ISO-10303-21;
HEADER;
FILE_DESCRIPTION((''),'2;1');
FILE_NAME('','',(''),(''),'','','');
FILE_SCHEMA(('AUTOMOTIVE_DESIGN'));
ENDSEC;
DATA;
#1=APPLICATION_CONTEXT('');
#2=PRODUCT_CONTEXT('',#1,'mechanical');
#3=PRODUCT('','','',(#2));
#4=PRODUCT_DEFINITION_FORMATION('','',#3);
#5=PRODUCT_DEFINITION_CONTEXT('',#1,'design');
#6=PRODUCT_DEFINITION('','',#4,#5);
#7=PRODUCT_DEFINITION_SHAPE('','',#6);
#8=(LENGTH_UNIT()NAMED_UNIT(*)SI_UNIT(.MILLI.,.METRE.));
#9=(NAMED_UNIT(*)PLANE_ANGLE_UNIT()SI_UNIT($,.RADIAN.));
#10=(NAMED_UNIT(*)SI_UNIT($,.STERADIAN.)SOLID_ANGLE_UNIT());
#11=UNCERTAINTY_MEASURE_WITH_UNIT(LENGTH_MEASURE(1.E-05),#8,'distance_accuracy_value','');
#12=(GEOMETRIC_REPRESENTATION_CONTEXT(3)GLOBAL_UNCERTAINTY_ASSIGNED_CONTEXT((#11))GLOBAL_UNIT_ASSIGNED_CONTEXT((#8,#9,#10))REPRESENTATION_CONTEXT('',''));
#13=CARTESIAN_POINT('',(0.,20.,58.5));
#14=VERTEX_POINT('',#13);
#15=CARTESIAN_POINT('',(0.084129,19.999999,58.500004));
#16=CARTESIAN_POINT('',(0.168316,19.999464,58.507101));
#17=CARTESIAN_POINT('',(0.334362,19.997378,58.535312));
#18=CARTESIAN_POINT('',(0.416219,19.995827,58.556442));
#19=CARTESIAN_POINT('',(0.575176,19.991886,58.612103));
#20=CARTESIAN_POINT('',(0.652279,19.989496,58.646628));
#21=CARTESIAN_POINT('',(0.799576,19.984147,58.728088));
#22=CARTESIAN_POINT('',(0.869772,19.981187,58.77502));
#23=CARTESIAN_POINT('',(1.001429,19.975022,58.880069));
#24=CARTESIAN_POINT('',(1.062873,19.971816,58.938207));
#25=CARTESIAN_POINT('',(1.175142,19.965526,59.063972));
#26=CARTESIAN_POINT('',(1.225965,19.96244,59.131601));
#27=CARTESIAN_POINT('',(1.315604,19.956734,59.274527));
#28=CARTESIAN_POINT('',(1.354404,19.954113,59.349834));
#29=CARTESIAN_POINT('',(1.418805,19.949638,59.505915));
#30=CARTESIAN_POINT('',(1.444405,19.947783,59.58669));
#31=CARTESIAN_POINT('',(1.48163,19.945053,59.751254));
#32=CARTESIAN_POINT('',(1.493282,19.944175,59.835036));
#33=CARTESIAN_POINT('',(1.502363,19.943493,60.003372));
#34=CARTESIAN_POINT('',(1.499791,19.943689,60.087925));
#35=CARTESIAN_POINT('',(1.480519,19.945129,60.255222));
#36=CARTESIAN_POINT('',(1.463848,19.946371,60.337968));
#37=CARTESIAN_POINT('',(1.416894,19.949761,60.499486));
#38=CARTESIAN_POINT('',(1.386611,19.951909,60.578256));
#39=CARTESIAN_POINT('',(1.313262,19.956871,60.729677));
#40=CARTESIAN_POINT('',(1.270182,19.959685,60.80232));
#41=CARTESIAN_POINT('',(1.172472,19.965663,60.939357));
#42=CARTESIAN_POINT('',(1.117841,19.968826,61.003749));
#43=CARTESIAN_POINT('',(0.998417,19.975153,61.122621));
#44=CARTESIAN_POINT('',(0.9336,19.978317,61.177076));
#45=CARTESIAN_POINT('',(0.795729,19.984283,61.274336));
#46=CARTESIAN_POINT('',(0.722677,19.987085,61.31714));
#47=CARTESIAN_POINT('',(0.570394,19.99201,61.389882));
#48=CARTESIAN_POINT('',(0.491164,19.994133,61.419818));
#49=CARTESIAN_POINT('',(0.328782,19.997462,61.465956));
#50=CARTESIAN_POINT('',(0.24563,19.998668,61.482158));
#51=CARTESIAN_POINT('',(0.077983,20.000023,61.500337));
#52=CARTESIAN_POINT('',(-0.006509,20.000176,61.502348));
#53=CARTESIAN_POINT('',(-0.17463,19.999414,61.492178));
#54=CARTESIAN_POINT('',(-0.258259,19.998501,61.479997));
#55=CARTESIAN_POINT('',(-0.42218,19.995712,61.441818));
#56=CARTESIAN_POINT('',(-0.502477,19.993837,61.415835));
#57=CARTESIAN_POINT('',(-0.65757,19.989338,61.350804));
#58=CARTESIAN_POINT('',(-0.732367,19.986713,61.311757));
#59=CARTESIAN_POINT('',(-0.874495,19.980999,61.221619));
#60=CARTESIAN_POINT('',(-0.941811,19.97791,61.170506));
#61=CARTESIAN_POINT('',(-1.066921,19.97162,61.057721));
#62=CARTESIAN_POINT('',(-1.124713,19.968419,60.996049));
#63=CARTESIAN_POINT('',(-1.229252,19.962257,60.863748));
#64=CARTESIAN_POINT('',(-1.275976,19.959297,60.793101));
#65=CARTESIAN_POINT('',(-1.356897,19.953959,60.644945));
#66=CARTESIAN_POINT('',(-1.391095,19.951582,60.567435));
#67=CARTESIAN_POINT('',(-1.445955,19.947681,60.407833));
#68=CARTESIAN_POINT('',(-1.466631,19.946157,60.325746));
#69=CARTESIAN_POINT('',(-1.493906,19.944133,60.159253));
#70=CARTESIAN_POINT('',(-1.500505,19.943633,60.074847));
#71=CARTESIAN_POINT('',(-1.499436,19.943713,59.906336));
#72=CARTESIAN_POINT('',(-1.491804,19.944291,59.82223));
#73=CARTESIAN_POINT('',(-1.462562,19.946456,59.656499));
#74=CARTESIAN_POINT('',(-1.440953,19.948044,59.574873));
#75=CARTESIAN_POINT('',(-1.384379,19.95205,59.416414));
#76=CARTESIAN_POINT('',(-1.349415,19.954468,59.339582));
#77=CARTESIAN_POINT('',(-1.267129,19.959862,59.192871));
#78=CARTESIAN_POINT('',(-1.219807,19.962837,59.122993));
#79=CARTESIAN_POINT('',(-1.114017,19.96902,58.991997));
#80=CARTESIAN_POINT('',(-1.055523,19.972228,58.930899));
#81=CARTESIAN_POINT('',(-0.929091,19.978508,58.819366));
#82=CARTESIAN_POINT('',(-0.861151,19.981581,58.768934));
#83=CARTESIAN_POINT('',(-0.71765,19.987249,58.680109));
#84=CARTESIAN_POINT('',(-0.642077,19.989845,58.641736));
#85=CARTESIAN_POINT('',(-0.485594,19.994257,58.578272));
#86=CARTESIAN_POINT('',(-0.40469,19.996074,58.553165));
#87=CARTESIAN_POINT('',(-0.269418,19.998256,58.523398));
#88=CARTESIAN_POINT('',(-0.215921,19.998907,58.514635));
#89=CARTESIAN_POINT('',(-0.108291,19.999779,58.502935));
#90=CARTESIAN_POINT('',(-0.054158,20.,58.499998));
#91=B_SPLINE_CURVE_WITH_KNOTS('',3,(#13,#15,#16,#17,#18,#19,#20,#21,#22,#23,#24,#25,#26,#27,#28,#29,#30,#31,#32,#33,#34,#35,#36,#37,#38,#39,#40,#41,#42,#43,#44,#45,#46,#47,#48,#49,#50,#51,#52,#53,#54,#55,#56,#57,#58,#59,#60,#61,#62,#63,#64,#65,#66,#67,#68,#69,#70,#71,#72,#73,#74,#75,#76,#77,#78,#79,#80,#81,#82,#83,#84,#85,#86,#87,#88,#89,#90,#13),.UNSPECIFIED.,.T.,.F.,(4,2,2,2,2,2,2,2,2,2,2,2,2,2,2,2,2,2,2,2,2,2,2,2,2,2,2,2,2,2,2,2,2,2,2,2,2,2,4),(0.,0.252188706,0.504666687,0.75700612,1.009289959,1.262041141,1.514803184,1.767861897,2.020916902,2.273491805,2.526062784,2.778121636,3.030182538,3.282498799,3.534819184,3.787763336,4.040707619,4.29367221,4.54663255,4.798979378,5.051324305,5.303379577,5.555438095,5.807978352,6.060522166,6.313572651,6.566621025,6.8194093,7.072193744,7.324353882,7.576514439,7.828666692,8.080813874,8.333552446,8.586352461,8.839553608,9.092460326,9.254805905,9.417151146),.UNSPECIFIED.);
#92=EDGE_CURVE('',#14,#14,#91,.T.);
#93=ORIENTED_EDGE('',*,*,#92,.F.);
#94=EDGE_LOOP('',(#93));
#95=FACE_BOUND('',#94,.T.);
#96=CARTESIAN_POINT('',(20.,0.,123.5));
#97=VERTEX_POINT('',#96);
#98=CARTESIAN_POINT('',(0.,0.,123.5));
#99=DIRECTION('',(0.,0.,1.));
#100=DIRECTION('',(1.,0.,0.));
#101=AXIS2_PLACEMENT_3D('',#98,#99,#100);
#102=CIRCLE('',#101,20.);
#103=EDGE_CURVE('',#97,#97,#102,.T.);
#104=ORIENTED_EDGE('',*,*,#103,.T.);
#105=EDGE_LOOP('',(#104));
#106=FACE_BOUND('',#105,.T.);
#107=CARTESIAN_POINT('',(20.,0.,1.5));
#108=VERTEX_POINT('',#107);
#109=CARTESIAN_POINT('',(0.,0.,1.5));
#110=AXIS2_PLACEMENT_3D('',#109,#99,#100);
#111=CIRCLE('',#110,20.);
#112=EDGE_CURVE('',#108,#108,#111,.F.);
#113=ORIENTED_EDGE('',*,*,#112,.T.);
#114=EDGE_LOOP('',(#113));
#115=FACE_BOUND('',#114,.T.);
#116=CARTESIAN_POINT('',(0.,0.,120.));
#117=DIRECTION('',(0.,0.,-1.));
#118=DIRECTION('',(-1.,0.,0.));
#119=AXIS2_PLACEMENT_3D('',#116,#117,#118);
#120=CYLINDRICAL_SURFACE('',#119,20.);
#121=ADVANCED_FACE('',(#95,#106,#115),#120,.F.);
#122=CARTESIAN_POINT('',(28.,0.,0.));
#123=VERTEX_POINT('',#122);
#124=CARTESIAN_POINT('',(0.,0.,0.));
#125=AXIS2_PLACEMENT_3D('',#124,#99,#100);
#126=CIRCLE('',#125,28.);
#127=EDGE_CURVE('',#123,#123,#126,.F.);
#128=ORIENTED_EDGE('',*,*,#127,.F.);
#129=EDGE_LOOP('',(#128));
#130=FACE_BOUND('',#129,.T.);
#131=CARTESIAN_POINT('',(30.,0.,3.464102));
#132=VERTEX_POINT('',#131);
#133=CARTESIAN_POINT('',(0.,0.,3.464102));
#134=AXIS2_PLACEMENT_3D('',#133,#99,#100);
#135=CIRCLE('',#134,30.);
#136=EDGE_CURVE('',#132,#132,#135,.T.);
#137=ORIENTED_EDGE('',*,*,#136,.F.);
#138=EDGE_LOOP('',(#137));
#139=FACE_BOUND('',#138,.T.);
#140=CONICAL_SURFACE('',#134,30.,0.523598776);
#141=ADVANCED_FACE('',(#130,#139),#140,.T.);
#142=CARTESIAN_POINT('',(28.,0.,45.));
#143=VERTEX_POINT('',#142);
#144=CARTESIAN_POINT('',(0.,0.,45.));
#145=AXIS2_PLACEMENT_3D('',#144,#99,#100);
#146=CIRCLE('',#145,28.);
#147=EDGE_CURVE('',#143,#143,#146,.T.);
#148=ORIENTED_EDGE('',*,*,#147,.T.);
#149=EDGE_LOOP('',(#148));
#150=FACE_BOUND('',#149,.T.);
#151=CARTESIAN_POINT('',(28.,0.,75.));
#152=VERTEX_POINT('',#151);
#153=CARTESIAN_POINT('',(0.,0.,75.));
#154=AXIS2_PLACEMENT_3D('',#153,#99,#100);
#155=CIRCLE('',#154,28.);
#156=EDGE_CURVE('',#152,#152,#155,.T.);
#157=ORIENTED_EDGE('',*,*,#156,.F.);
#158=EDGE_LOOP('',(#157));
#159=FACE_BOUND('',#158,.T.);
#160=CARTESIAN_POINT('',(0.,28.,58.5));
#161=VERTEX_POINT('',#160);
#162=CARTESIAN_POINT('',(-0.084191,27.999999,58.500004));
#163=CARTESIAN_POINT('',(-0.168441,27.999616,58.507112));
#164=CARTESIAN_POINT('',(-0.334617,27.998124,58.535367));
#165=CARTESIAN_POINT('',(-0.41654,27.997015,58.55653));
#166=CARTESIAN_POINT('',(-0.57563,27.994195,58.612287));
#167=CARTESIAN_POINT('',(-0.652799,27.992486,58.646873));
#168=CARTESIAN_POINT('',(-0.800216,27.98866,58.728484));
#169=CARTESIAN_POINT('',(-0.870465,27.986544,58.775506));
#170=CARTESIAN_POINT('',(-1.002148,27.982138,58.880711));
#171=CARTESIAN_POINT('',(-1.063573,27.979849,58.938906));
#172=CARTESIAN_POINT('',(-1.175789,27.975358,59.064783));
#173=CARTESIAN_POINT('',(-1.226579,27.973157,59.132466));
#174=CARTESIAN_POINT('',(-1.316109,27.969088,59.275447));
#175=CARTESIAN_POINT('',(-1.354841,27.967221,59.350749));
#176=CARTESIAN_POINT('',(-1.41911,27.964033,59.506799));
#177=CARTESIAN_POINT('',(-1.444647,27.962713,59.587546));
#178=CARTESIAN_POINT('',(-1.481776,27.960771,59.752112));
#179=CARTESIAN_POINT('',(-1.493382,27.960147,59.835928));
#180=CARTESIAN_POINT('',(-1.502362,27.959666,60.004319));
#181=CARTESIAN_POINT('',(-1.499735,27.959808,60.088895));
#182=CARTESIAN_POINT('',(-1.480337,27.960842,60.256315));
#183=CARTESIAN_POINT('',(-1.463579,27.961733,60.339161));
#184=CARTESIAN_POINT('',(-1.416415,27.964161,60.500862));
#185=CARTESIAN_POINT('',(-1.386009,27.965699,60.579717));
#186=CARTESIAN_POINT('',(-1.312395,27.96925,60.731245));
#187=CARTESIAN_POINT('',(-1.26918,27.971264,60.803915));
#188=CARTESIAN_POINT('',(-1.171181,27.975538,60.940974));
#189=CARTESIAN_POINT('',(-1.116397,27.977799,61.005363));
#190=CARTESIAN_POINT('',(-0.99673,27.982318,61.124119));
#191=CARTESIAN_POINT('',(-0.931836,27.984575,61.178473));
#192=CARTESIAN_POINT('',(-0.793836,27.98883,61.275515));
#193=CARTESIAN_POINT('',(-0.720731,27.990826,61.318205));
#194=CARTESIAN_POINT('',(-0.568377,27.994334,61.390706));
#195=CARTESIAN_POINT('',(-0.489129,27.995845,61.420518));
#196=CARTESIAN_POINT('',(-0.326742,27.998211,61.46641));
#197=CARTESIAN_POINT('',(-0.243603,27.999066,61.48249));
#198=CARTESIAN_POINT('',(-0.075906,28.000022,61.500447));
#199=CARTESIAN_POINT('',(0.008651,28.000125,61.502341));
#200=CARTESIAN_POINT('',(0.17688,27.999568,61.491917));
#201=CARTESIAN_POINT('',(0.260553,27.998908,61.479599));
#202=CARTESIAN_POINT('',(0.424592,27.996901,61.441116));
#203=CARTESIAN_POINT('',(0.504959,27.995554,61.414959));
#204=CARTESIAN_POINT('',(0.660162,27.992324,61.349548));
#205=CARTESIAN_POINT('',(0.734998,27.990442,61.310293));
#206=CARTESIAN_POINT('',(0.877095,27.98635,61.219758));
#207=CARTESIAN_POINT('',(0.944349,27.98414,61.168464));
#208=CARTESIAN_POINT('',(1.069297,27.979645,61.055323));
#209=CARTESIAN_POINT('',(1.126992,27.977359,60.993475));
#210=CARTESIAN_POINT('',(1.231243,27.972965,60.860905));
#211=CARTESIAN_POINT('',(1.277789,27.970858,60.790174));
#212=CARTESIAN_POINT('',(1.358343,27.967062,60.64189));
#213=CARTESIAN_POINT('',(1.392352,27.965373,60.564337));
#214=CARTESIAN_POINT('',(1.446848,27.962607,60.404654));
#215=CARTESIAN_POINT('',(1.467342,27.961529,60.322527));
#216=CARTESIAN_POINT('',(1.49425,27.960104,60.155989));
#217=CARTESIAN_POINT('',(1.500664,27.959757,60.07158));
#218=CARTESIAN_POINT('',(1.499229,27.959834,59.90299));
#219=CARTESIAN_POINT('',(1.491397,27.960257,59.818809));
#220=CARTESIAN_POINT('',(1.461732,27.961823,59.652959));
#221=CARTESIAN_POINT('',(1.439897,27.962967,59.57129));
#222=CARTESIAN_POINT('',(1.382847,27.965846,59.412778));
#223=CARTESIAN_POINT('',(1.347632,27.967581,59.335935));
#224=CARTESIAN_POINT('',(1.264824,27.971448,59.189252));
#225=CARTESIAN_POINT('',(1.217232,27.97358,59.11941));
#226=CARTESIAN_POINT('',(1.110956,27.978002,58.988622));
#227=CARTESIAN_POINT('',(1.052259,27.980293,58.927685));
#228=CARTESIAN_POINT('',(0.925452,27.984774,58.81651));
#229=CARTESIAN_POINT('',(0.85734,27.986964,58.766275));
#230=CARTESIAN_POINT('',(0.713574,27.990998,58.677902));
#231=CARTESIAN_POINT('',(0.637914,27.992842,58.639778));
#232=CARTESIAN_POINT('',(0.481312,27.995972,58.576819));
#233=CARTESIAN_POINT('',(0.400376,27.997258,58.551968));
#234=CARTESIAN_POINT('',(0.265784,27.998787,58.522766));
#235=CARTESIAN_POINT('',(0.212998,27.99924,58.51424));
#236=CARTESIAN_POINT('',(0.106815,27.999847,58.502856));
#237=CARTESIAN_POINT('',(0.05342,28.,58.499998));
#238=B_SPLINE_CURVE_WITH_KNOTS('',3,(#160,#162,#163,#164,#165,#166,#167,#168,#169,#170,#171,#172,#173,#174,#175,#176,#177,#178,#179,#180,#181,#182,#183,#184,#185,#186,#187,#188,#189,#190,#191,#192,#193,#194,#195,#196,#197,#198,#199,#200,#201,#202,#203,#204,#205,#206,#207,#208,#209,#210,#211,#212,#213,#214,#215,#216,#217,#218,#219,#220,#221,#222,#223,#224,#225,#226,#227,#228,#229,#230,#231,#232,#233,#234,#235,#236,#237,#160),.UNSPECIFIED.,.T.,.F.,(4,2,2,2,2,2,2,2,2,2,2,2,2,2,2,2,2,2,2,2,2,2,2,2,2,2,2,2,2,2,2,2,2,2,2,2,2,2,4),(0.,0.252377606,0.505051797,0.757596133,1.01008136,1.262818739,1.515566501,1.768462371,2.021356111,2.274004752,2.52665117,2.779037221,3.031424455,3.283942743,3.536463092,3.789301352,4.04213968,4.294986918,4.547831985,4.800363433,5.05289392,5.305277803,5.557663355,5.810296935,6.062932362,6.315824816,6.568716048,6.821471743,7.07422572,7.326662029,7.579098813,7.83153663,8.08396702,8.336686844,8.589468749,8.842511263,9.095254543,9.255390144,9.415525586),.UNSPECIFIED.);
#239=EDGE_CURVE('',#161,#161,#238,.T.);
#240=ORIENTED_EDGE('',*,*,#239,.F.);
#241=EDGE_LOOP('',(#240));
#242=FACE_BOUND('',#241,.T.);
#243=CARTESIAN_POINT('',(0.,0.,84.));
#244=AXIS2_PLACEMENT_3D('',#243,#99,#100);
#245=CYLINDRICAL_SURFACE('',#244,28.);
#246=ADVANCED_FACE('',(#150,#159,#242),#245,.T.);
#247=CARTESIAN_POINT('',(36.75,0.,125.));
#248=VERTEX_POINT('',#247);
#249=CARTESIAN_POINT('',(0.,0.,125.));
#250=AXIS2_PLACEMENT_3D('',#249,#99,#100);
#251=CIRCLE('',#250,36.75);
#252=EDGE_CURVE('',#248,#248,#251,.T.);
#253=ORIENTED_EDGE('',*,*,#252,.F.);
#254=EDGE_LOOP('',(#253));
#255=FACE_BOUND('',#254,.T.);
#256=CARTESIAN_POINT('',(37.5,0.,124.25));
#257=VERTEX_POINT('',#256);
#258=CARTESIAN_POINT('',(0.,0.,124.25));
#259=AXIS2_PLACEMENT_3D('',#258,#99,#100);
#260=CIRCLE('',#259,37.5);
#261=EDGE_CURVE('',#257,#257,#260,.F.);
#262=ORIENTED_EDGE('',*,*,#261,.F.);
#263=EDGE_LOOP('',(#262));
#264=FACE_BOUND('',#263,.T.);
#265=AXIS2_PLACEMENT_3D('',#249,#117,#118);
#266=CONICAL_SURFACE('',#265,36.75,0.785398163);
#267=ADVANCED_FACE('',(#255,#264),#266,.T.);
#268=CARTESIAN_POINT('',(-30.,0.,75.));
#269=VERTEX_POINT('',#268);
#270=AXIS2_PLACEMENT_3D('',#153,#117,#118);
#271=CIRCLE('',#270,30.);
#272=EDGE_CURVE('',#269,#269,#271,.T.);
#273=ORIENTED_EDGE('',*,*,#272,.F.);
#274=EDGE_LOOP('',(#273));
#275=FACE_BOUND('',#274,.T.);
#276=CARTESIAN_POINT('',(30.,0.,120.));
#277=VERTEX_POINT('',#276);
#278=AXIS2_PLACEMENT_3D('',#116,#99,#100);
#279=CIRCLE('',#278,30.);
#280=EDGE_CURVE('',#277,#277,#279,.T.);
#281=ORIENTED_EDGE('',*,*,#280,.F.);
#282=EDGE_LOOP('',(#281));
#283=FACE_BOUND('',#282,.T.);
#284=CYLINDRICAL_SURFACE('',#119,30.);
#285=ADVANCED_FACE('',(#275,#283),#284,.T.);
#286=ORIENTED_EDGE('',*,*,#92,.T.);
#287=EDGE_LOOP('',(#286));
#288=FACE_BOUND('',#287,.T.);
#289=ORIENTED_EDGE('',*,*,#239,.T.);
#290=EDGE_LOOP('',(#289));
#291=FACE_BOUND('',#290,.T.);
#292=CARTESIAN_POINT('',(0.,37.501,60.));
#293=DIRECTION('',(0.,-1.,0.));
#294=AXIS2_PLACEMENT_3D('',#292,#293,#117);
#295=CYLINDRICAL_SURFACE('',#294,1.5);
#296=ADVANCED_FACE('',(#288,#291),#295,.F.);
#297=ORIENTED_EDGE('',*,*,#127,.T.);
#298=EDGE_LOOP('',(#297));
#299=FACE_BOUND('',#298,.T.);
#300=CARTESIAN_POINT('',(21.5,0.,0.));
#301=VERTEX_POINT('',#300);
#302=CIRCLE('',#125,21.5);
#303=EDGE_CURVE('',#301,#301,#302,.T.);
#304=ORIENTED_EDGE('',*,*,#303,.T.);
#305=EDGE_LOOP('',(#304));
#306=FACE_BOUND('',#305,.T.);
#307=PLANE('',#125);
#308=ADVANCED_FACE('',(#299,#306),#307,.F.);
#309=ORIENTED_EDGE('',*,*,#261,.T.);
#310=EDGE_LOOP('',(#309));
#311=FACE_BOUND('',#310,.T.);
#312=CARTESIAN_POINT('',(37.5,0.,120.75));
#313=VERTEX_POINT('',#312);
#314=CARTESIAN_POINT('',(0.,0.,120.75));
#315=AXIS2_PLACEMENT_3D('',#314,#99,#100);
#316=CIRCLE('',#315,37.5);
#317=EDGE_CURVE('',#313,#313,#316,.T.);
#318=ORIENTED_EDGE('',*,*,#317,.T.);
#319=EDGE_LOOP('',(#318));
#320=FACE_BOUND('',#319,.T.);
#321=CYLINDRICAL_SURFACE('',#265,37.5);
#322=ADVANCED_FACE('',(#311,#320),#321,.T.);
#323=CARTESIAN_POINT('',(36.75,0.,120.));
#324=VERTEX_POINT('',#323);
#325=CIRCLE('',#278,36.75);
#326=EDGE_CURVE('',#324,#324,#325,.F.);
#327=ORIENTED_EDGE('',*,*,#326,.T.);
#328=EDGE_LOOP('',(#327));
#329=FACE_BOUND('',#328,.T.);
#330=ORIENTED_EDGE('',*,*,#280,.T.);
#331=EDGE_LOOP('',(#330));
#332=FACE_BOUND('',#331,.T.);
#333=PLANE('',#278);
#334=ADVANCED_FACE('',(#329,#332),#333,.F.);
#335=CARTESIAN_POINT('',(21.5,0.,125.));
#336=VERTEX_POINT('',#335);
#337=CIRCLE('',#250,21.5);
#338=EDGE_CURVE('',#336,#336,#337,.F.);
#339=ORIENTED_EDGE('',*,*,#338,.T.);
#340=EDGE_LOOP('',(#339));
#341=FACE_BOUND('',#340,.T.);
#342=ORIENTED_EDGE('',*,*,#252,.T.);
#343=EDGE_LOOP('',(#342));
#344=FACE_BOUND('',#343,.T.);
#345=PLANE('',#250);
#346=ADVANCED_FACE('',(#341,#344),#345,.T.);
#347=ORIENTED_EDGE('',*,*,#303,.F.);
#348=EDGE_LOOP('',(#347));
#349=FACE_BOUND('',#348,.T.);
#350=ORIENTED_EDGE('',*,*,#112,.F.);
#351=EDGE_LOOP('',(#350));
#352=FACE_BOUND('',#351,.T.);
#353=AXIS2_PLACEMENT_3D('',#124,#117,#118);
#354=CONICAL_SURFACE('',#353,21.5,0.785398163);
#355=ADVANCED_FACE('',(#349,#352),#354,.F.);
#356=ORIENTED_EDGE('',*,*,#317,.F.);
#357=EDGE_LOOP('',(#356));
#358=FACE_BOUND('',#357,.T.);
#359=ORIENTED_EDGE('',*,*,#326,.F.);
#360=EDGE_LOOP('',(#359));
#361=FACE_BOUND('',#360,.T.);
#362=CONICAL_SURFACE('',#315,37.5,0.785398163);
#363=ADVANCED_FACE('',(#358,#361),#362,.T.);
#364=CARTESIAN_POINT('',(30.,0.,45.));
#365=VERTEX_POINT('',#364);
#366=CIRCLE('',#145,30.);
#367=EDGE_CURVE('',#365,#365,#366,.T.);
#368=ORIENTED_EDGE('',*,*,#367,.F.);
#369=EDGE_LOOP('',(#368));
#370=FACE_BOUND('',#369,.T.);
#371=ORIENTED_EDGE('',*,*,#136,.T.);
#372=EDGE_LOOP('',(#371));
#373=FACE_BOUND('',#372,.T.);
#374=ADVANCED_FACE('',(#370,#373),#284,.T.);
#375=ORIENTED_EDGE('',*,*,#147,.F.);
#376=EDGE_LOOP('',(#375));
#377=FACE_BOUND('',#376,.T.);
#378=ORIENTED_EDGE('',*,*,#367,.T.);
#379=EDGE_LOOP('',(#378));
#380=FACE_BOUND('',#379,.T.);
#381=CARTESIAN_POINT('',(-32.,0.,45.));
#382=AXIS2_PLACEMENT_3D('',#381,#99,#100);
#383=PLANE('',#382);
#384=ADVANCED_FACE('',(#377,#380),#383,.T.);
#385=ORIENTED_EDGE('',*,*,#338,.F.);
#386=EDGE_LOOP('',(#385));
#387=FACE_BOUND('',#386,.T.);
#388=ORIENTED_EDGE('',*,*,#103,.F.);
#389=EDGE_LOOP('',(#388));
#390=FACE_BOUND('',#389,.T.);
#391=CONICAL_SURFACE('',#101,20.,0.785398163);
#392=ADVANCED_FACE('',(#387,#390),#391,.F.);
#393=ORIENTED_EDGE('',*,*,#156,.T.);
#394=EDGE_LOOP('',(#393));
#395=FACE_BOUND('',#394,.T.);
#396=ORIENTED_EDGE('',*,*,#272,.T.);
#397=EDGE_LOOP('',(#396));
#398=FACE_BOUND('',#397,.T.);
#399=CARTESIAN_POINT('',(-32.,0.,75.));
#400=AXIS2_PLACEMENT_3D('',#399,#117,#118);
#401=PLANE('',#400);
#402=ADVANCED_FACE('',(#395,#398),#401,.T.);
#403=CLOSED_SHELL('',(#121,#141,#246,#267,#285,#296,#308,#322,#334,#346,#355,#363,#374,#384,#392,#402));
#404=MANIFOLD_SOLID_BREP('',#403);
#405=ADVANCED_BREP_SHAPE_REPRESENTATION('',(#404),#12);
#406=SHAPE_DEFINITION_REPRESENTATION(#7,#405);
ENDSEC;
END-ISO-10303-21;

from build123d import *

# Parameters (mm, degrees)
SKETCH1_R               = 30
SKETCH1_R_2             = 20
MAIN_BODY_DEPTH         = 120
SKETCH2_R               = 37.5
SKETCH2_R_2             = 20
BOSS_LIP_DEPTH          = 5
SKETCH4_W               = 4
SKETCH4_H               = 30
BEARLING_CHAMFER_SIZE   = 2
BEARLING_CHAMFER_SIZE2  = 3.464101615
SHAFT_CHAMFER_SIZE      = 1.5
LIP_CHAMFER_SIZE        = 0.75
CUT_EXTRUDE2_REACH      = 137.785
CUT_EXTRUDE2_END_RADIUS = 28
SKETCH5_R               = 1.5


with BuildPart() as part:
    # Sketch1 → Main Body (new body)
    with BuildSketch(Plane.XY):
        Circle(SKETCH1_R)
        Circle(SKETCH1_R_2, mode=Mode.SUBTRACT)
    extrude(amount=MAIN_BODY_DEPTH)

    # Sketch2 → Boss_Lip (add)
    with BuildSketch(Plane.XY.offset(120)):
        Circle(SKETCH2_R)
        Circle(SKETCH2_R_2, mode=Mode.SUBTRACT)
    extrude(amount=BOSS_LIP_DEPTH)

    # Sketch4 → Relief (revolve, cut)
    with BuildSketch(Plane(origin=(0, 0, 0), x_dir=(1, 0, 0), z_dir=(0, 1, 0)), mode=Mode.PRIVATE) as relief_sk:
        with Locations((-30, -60)):
            Rectangle(SKETCH4_W, SKETCH4_H)
    revolve(relief_sk.sketch.rotate(Axis((0, 0, 84), (0, 0, -1)), 180), axis=Axis((0, 0, 84), (0, 0, -1)), mode=Mode.SUBTRACT)

    # Bearling Chamfer
    bearling_chamfer_edges = [part.edges().sort_by_distance(p)[0] for p in [
        (-30, 0, 0),
    ]]
    bearling_chamfer_side = [part.faces().sort_by_distance(p)[0] for p in [
        (-29.151471863, 0, 0),
    ]]
    chamfer(bearling_chamfer_edges, length=BEARLING_CHAMFER_SIZE, length2=BEARLING_CHAMFER_SIZE2, reference=bearling_chamfer_side[0])

    # Shaft Chamfer
    shaft_chamfer_edges = [part.edges().sort_by_distance(p)[0] for p in [
        (-20, 0, 125),
        (-20, 0, 0),
    ]]
    chamfer(shaft_chamfer_edges, length=SHAFT_CHAMFER_SIZE)

    # Lip Chamfer
    lip_chamfer_edges = [part.edges().sort_by_distance(p)[0] for p in [
        (-37.5, 0, 120),
        (-37.5, 0, 125),
    ]]
    chamfer(lip_chamfer_edges, length=LIP_CHAMFER_SIZE)

    # Cut-Extrude2: up to this cylinder (the profile starts inside it)
    cut_extrude2_end = Plane(origin=(0, 0, 60), z_dir=(0, 0, 1)) * Cylinder(CUT_EXTRUDE2_END_RADIUS, 332.57, mode=Mode.PRIVATE)
    # Sketch5 → Cut-Extrude2 (cut, up to the surface)
    with BuildSketch(Plane(origin=(0, 0, 0), x_dir=(1, 0, 0), z_dir=(0, 1, 0)), mode=Mode.PRIVATE) as cut_extrude2_sk1:
        with Locations(Location((0, -60, 0), (0, 0, 90))):
            Circle(SKETCH5_R)
    cut_extrude2_tool1 = extrude(cut_extrude2_sk1.sketch, amount=CUT_EXTRUDE2_REACH, mode=Mode.PRIVATE) & cut_extrude2_end
    add(cut_extrude2_tool1.solids().sort_by_distance((0, 0, 60))[0], mode=Mode.SUBTRACT)


solid = part.part
